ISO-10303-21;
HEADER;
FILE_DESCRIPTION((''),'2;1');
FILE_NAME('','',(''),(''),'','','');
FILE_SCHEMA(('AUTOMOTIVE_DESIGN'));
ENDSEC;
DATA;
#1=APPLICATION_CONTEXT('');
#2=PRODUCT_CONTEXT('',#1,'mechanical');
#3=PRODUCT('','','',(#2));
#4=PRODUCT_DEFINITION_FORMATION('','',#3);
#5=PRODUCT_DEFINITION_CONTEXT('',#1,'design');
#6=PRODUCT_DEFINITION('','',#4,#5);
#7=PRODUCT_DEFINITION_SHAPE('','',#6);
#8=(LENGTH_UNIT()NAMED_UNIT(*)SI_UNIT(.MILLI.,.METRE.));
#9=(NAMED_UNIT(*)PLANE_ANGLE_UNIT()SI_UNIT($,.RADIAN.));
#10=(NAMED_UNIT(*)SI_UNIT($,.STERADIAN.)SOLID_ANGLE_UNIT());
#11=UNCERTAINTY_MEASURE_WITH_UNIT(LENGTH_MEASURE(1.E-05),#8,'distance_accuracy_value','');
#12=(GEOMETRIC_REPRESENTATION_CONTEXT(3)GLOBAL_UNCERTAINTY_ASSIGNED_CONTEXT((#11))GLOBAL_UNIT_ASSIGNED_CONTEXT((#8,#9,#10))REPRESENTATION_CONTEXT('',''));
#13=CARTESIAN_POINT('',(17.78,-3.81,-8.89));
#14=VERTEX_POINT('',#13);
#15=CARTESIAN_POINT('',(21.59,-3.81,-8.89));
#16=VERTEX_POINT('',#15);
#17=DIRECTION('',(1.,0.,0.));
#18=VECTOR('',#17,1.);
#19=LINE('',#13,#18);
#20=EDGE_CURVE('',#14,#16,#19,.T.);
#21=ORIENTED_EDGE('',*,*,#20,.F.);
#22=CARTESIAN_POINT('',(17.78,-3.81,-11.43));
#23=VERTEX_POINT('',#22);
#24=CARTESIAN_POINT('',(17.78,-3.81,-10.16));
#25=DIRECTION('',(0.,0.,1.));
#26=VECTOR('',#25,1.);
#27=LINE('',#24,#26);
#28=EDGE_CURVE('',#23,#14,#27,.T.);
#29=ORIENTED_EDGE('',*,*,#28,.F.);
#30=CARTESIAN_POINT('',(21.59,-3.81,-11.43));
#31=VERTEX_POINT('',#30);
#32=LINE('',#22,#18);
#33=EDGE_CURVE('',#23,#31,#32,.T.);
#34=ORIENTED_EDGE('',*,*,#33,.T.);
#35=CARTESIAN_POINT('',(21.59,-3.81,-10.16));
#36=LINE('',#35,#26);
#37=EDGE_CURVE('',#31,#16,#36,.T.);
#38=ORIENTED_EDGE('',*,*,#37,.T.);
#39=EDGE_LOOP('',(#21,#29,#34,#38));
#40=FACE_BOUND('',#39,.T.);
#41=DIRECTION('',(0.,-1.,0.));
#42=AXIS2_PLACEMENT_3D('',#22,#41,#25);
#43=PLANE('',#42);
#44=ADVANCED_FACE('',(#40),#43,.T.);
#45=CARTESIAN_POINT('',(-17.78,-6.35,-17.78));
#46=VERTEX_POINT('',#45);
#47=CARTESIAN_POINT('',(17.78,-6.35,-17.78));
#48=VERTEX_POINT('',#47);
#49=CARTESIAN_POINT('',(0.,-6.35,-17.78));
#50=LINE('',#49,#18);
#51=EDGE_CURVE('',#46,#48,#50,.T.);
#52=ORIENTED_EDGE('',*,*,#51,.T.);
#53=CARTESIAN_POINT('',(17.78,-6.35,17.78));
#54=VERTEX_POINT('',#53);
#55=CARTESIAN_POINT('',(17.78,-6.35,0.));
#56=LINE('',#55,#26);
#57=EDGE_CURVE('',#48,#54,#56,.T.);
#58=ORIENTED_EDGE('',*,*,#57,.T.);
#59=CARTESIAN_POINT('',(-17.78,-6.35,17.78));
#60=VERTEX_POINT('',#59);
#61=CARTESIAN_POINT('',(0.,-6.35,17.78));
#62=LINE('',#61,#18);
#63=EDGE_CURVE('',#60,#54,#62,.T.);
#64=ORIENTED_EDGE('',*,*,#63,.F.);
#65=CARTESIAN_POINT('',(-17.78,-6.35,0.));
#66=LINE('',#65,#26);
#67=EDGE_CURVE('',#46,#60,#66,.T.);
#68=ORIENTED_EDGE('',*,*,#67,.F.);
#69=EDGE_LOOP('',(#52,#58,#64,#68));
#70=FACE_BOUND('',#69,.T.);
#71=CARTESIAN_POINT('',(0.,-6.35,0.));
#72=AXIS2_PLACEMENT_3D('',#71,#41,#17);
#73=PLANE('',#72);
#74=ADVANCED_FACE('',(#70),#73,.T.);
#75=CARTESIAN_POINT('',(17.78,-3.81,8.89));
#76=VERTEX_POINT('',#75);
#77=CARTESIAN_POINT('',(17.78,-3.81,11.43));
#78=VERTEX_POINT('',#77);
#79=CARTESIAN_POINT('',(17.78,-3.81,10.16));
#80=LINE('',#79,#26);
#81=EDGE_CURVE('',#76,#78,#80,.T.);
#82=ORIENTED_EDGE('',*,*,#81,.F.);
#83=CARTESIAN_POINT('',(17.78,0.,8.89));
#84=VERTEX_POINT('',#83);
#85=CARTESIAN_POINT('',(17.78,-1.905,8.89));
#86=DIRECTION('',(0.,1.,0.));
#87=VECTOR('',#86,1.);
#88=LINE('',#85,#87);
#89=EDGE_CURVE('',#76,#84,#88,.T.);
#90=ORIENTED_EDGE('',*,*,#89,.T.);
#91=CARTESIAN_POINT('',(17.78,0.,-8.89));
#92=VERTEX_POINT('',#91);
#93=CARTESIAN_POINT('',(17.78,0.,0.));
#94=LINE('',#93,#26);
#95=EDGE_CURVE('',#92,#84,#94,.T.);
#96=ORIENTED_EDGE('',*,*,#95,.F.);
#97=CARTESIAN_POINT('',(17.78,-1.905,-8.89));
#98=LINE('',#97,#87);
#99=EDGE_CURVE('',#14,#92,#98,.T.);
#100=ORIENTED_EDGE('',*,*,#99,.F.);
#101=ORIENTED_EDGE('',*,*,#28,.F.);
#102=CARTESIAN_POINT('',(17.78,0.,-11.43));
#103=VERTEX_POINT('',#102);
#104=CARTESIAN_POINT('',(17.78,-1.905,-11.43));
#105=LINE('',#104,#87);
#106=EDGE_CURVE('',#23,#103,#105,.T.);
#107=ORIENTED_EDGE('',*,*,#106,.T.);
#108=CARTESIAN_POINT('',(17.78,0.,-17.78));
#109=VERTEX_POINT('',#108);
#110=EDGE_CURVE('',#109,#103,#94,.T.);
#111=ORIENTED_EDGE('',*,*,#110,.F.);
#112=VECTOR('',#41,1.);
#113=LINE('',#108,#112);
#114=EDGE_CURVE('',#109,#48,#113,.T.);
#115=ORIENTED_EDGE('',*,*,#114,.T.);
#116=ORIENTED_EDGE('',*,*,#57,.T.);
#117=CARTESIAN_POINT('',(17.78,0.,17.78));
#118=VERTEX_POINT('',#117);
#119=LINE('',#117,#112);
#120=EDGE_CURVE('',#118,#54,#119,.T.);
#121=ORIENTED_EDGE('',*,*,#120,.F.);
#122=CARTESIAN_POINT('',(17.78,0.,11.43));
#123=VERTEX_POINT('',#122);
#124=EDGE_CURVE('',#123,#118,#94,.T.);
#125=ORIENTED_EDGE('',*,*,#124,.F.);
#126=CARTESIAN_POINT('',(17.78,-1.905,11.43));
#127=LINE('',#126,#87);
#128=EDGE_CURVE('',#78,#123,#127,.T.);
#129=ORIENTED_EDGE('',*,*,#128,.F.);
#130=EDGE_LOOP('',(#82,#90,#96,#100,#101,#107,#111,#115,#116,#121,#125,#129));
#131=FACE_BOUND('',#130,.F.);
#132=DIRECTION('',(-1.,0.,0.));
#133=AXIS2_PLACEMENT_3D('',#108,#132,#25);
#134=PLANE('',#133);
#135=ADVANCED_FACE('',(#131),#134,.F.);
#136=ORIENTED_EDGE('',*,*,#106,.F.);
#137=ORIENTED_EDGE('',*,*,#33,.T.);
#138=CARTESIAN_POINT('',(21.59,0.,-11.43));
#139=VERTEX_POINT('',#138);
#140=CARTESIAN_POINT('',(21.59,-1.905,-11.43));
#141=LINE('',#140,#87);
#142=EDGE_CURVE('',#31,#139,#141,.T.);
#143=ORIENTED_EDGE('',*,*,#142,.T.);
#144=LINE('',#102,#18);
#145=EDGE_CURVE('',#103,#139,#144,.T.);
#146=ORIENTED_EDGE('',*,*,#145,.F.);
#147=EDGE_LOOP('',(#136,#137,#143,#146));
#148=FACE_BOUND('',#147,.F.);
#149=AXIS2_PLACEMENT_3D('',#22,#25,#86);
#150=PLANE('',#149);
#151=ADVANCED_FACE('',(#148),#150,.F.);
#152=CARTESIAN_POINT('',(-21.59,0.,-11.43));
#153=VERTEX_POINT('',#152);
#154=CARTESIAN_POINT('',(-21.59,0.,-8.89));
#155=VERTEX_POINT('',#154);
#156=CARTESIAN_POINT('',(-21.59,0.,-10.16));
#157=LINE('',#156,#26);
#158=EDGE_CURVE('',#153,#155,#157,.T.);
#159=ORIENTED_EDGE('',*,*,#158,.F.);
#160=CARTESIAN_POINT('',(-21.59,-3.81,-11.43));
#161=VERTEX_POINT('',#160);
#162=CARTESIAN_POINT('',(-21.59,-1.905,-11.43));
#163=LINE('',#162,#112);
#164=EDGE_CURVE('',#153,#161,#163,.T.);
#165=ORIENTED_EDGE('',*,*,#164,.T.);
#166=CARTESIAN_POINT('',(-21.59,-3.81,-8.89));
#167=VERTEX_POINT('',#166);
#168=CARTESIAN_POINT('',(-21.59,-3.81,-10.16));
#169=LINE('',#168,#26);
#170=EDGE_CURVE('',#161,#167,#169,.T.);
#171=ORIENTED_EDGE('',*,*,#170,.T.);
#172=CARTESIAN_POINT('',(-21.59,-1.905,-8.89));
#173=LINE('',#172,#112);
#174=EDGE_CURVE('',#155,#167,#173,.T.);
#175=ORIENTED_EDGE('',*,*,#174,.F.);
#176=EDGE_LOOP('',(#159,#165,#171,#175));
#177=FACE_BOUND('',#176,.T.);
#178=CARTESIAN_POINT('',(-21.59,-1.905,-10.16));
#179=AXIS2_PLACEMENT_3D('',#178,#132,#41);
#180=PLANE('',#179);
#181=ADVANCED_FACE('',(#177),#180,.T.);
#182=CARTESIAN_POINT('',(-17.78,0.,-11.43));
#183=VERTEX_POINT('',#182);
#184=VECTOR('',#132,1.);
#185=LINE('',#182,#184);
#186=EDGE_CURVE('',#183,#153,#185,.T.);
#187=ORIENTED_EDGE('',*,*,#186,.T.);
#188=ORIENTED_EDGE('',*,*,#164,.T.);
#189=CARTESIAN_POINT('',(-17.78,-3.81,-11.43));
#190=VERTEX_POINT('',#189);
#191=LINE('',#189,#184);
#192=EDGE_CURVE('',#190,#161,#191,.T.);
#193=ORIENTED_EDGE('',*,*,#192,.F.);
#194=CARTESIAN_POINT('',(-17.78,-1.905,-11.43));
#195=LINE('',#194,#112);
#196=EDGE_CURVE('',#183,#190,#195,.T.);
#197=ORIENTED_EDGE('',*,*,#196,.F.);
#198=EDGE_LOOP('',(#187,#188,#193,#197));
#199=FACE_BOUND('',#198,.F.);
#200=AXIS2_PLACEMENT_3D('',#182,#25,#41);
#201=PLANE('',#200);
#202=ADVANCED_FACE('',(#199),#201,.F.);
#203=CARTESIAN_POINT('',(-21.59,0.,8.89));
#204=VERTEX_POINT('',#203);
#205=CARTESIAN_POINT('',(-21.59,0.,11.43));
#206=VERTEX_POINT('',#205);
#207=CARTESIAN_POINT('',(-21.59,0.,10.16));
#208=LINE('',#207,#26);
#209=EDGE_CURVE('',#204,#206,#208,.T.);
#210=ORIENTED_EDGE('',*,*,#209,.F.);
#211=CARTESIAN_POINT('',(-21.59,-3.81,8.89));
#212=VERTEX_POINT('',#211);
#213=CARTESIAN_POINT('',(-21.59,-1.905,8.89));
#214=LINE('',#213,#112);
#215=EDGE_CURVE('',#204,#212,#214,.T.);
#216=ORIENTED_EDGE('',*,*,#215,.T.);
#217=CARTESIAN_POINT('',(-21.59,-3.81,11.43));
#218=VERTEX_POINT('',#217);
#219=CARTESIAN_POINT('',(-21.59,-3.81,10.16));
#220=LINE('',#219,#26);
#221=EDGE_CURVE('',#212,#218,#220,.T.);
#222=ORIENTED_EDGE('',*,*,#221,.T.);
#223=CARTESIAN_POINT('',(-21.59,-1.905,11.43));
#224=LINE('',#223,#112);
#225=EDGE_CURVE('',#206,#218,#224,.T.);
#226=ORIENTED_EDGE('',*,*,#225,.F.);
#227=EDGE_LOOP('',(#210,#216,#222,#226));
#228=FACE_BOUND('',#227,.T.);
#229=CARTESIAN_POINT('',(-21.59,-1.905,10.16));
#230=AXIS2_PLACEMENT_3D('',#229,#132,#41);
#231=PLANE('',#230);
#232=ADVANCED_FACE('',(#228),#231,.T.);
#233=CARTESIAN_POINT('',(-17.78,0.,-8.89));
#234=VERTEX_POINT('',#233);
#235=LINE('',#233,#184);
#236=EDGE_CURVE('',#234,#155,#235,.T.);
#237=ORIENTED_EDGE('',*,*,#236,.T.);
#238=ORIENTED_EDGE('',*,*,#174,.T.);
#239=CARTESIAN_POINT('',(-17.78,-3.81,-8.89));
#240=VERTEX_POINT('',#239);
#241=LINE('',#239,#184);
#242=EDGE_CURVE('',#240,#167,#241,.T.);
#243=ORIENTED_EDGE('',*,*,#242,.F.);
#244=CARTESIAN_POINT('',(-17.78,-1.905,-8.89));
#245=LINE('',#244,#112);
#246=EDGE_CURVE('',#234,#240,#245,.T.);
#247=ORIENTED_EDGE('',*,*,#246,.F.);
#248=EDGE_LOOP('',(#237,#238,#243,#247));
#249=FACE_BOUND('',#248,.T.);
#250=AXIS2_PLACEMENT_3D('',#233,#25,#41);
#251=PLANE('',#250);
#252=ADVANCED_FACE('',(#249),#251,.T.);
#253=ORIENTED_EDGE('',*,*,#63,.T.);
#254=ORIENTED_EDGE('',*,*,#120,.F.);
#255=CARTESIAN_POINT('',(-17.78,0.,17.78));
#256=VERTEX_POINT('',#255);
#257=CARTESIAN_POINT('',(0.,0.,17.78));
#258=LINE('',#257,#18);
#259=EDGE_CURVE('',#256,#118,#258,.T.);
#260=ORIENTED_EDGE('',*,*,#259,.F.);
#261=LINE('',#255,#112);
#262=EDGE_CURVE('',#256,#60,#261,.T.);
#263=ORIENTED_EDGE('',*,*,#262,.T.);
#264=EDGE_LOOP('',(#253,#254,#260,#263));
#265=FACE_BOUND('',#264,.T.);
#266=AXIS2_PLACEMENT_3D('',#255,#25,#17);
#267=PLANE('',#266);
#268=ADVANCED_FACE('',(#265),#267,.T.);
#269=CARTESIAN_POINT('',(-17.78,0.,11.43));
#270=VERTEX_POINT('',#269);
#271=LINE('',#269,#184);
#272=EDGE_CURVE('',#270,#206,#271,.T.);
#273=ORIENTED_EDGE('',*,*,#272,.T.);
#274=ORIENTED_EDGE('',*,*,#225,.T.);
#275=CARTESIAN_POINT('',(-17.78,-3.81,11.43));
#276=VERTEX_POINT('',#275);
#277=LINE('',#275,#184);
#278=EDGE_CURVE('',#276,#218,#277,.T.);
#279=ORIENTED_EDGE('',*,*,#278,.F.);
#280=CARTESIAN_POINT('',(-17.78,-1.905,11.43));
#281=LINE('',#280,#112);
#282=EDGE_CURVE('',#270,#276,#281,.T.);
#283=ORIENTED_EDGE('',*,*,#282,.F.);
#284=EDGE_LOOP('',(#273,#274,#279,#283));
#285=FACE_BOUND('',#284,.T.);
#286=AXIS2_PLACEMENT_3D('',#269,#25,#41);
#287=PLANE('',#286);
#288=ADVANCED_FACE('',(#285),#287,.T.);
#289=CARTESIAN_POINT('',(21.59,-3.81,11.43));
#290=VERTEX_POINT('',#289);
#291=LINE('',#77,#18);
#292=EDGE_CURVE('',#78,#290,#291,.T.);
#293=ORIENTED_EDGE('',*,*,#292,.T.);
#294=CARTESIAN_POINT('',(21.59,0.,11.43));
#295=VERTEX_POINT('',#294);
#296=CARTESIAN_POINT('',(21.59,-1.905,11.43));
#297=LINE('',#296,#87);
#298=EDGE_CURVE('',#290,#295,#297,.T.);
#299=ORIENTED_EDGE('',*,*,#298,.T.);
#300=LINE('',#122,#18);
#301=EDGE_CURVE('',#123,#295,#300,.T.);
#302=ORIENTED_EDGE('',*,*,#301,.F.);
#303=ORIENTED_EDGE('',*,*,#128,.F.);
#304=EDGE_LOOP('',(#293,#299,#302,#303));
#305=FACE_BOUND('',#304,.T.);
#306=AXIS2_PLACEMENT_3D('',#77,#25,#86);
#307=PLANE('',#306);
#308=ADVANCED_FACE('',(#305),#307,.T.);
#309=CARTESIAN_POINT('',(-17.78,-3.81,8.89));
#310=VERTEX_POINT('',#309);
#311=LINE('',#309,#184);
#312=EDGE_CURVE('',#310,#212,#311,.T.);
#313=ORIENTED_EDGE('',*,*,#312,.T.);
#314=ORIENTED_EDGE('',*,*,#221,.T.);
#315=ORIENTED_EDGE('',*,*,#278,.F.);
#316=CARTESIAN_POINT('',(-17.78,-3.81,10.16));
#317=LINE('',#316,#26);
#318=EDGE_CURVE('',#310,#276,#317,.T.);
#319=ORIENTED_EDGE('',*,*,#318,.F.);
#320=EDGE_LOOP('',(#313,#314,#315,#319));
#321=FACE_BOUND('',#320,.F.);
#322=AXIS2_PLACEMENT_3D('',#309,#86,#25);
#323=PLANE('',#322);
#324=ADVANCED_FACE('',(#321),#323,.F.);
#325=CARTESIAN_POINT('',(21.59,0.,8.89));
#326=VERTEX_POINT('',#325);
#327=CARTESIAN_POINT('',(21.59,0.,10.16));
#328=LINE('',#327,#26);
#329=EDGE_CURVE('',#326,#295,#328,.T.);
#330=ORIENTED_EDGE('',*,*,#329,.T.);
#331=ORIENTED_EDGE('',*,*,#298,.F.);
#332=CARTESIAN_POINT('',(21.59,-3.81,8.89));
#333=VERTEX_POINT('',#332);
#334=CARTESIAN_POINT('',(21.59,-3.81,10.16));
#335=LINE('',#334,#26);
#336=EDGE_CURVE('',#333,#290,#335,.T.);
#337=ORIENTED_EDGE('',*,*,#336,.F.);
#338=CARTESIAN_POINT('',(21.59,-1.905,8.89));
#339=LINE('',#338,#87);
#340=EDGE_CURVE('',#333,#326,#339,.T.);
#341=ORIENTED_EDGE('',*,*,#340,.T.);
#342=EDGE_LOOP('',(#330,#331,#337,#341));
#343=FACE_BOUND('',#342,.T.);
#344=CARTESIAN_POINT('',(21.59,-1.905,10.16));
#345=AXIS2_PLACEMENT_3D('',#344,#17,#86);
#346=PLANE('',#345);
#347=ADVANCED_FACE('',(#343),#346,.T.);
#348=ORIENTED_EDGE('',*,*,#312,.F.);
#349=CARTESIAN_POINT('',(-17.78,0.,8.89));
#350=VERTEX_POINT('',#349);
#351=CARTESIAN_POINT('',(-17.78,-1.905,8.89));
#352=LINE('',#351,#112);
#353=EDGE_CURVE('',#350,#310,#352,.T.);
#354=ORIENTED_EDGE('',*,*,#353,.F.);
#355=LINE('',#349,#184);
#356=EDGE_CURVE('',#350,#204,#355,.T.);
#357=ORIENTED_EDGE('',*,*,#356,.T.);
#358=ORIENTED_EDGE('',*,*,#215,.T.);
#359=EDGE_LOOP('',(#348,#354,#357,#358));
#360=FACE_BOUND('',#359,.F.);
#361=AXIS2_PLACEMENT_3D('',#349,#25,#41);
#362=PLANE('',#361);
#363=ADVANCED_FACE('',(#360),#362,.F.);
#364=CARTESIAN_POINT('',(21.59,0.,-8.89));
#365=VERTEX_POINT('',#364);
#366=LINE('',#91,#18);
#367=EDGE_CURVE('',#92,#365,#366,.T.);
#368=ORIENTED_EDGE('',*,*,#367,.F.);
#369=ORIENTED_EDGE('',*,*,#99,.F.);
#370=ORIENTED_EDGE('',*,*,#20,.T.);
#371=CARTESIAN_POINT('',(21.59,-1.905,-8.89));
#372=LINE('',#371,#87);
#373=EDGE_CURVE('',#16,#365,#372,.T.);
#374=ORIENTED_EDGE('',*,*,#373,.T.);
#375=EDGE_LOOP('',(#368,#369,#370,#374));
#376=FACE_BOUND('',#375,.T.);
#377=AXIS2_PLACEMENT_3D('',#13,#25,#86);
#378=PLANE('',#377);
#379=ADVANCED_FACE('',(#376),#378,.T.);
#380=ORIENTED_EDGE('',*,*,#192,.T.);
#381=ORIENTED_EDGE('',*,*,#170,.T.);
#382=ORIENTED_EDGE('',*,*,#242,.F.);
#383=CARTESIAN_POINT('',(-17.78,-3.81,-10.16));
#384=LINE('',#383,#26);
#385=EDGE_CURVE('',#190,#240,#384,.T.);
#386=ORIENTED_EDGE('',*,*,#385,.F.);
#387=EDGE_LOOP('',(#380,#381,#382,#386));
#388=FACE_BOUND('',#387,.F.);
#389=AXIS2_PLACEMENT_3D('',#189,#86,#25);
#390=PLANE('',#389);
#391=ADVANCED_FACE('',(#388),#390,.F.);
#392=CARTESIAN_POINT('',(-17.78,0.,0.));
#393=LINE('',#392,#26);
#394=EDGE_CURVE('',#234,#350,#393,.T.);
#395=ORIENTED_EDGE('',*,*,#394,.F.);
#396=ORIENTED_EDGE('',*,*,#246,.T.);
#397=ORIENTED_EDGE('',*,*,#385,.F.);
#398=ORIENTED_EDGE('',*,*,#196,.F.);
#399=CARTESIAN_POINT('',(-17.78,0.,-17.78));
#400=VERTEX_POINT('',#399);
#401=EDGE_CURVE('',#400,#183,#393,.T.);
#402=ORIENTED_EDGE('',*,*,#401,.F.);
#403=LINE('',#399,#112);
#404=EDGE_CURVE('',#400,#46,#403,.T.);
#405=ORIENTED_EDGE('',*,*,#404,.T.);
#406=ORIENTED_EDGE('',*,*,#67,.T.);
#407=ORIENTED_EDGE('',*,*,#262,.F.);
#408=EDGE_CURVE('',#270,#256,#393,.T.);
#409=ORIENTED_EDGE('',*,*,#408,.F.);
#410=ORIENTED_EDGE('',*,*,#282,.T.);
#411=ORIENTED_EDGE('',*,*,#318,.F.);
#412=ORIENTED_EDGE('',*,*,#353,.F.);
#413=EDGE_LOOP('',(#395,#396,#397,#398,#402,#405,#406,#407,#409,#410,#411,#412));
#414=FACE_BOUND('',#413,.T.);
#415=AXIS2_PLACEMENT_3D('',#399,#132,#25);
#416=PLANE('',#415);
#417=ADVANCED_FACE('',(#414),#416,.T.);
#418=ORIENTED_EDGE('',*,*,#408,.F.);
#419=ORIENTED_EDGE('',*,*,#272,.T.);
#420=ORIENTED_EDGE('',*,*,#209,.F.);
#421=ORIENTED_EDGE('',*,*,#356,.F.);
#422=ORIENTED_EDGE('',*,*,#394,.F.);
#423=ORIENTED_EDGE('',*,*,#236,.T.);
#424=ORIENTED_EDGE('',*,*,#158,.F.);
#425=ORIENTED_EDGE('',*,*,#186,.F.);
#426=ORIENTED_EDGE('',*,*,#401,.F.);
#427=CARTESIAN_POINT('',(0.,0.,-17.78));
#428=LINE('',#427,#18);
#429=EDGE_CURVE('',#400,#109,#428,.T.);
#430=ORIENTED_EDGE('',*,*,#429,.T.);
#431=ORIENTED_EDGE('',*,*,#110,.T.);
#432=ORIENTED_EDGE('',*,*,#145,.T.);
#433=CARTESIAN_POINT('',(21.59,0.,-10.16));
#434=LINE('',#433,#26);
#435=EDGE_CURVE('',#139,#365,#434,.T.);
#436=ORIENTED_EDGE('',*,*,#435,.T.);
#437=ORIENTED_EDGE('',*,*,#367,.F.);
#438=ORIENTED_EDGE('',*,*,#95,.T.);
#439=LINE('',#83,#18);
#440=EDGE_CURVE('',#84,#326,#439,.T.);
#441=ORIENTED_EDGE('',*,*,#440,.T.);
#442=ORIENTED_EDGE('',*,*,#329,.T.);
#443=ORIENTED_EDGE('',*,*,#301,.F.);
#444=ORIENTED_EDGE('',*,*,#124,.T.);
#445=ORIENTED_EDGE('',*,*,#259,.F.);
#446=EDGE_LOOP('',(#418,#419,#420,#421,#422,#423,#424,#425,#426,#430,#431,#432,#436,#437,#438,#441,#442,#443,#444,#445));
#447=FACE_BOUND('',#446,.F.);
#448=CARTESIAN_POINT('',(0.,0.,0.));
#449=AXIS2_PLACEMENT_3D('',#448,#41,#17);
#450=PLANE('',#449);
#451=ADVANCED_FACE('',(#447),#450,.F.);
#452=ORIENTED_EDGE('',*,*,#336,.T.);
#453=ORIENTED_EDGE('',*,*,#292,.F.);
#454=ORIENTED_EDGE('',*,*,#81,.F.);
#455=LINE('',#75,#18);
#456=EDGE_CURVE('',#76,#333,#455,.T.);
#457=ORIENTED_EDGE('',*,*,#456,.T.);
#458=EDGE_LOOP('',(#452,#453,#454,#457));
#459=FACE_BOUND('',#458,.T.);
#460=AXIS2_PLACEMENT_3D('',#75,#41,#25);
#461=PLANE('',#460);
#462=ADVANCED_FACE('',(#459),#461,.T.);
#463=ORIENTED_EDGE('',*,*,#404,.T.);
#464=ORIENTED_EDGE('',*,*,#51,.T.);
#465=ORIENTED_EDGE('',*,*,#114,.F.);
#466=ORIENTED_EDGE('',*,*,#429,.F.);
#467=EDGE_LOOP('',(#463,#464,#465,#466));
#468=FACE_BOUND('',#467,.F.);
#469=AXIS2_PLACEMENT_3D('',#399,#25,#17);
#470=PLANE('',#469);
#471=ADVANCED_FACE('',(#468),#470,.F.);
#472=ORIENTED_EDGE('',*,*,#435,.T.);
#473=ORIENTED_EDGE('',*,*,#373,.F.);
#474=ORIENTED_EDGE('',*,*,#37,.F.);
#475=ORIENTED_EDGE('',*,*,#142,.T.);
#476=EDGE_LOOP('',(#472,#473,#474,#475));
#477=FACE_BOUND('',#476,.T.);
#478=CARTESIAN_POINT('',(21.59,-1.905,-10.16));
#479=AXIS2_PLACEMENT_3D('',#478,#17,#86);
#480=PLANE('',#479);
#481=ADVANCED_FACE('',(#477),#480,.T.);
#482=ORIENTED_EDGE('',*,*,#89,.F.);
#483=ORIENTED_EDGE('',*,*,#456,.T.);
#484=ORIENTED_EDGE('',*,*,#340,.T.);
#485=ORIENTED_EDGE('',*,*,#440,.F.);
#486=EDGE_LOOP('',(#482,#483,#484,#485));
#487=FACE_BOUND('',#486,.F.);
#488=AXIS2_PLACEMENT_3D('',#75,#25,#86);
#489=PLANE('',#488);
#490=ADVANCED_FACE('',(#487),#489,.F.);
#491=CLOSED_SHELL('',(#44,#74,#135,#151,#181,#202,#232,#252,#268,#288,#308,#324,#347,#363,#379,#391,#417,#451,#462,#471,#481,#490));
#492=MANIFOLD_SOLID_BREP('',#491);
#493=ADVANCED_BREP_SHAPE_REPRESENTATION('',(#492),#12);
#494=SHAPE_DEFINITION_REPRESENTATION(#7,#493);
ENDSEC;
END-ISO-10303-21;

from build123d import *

# Parameters (mm, degrees)
F0_W     = 35.56
F0_H     = 35.56
F1_DEPTH = 6.35
F2_W     = 3.81
F2_H     = 2.54
F3_DEPTH = 3.81
F4_W     = 3.81
F4_H     = 2.54
F5_DEPTH = 3.81


with BuildPart() as f1:
    # F0 (on Front) → F1 (new body)
    with BuildSketch(Plane.XZ):
        Rectangle(F0_W, F0_H)
    extrude(amount=F1_DEPTH)

    # F2 (on face) → F3 (join)
    with BuildSketch(Plane.YZ.offset(17.78)):
        with Locations((-1.905, 10.16)):
            Rectangle(F2_W, F2_H)
        with Locations((-1.905, -10.16)):
            Rectangle(F2_W, F2_H)
    extrude(amount=F3_DEPTH)

    # F4 (on face) → F5 (join)
    with BuildSketch(Plane(origin=(-17.78, 0, 0), x_dir=(0, -1, 0), z_dir=(-1, 0, 0))):
        with Locations((1.905, 10.16)):
            Rectangle(F4_W, F4_H)
        with Locations((1.905, -10.16)):
            Rectangle(F4_W, F4_H)
    extrude(amount=F5_DEPTH)


solid = f1.part
